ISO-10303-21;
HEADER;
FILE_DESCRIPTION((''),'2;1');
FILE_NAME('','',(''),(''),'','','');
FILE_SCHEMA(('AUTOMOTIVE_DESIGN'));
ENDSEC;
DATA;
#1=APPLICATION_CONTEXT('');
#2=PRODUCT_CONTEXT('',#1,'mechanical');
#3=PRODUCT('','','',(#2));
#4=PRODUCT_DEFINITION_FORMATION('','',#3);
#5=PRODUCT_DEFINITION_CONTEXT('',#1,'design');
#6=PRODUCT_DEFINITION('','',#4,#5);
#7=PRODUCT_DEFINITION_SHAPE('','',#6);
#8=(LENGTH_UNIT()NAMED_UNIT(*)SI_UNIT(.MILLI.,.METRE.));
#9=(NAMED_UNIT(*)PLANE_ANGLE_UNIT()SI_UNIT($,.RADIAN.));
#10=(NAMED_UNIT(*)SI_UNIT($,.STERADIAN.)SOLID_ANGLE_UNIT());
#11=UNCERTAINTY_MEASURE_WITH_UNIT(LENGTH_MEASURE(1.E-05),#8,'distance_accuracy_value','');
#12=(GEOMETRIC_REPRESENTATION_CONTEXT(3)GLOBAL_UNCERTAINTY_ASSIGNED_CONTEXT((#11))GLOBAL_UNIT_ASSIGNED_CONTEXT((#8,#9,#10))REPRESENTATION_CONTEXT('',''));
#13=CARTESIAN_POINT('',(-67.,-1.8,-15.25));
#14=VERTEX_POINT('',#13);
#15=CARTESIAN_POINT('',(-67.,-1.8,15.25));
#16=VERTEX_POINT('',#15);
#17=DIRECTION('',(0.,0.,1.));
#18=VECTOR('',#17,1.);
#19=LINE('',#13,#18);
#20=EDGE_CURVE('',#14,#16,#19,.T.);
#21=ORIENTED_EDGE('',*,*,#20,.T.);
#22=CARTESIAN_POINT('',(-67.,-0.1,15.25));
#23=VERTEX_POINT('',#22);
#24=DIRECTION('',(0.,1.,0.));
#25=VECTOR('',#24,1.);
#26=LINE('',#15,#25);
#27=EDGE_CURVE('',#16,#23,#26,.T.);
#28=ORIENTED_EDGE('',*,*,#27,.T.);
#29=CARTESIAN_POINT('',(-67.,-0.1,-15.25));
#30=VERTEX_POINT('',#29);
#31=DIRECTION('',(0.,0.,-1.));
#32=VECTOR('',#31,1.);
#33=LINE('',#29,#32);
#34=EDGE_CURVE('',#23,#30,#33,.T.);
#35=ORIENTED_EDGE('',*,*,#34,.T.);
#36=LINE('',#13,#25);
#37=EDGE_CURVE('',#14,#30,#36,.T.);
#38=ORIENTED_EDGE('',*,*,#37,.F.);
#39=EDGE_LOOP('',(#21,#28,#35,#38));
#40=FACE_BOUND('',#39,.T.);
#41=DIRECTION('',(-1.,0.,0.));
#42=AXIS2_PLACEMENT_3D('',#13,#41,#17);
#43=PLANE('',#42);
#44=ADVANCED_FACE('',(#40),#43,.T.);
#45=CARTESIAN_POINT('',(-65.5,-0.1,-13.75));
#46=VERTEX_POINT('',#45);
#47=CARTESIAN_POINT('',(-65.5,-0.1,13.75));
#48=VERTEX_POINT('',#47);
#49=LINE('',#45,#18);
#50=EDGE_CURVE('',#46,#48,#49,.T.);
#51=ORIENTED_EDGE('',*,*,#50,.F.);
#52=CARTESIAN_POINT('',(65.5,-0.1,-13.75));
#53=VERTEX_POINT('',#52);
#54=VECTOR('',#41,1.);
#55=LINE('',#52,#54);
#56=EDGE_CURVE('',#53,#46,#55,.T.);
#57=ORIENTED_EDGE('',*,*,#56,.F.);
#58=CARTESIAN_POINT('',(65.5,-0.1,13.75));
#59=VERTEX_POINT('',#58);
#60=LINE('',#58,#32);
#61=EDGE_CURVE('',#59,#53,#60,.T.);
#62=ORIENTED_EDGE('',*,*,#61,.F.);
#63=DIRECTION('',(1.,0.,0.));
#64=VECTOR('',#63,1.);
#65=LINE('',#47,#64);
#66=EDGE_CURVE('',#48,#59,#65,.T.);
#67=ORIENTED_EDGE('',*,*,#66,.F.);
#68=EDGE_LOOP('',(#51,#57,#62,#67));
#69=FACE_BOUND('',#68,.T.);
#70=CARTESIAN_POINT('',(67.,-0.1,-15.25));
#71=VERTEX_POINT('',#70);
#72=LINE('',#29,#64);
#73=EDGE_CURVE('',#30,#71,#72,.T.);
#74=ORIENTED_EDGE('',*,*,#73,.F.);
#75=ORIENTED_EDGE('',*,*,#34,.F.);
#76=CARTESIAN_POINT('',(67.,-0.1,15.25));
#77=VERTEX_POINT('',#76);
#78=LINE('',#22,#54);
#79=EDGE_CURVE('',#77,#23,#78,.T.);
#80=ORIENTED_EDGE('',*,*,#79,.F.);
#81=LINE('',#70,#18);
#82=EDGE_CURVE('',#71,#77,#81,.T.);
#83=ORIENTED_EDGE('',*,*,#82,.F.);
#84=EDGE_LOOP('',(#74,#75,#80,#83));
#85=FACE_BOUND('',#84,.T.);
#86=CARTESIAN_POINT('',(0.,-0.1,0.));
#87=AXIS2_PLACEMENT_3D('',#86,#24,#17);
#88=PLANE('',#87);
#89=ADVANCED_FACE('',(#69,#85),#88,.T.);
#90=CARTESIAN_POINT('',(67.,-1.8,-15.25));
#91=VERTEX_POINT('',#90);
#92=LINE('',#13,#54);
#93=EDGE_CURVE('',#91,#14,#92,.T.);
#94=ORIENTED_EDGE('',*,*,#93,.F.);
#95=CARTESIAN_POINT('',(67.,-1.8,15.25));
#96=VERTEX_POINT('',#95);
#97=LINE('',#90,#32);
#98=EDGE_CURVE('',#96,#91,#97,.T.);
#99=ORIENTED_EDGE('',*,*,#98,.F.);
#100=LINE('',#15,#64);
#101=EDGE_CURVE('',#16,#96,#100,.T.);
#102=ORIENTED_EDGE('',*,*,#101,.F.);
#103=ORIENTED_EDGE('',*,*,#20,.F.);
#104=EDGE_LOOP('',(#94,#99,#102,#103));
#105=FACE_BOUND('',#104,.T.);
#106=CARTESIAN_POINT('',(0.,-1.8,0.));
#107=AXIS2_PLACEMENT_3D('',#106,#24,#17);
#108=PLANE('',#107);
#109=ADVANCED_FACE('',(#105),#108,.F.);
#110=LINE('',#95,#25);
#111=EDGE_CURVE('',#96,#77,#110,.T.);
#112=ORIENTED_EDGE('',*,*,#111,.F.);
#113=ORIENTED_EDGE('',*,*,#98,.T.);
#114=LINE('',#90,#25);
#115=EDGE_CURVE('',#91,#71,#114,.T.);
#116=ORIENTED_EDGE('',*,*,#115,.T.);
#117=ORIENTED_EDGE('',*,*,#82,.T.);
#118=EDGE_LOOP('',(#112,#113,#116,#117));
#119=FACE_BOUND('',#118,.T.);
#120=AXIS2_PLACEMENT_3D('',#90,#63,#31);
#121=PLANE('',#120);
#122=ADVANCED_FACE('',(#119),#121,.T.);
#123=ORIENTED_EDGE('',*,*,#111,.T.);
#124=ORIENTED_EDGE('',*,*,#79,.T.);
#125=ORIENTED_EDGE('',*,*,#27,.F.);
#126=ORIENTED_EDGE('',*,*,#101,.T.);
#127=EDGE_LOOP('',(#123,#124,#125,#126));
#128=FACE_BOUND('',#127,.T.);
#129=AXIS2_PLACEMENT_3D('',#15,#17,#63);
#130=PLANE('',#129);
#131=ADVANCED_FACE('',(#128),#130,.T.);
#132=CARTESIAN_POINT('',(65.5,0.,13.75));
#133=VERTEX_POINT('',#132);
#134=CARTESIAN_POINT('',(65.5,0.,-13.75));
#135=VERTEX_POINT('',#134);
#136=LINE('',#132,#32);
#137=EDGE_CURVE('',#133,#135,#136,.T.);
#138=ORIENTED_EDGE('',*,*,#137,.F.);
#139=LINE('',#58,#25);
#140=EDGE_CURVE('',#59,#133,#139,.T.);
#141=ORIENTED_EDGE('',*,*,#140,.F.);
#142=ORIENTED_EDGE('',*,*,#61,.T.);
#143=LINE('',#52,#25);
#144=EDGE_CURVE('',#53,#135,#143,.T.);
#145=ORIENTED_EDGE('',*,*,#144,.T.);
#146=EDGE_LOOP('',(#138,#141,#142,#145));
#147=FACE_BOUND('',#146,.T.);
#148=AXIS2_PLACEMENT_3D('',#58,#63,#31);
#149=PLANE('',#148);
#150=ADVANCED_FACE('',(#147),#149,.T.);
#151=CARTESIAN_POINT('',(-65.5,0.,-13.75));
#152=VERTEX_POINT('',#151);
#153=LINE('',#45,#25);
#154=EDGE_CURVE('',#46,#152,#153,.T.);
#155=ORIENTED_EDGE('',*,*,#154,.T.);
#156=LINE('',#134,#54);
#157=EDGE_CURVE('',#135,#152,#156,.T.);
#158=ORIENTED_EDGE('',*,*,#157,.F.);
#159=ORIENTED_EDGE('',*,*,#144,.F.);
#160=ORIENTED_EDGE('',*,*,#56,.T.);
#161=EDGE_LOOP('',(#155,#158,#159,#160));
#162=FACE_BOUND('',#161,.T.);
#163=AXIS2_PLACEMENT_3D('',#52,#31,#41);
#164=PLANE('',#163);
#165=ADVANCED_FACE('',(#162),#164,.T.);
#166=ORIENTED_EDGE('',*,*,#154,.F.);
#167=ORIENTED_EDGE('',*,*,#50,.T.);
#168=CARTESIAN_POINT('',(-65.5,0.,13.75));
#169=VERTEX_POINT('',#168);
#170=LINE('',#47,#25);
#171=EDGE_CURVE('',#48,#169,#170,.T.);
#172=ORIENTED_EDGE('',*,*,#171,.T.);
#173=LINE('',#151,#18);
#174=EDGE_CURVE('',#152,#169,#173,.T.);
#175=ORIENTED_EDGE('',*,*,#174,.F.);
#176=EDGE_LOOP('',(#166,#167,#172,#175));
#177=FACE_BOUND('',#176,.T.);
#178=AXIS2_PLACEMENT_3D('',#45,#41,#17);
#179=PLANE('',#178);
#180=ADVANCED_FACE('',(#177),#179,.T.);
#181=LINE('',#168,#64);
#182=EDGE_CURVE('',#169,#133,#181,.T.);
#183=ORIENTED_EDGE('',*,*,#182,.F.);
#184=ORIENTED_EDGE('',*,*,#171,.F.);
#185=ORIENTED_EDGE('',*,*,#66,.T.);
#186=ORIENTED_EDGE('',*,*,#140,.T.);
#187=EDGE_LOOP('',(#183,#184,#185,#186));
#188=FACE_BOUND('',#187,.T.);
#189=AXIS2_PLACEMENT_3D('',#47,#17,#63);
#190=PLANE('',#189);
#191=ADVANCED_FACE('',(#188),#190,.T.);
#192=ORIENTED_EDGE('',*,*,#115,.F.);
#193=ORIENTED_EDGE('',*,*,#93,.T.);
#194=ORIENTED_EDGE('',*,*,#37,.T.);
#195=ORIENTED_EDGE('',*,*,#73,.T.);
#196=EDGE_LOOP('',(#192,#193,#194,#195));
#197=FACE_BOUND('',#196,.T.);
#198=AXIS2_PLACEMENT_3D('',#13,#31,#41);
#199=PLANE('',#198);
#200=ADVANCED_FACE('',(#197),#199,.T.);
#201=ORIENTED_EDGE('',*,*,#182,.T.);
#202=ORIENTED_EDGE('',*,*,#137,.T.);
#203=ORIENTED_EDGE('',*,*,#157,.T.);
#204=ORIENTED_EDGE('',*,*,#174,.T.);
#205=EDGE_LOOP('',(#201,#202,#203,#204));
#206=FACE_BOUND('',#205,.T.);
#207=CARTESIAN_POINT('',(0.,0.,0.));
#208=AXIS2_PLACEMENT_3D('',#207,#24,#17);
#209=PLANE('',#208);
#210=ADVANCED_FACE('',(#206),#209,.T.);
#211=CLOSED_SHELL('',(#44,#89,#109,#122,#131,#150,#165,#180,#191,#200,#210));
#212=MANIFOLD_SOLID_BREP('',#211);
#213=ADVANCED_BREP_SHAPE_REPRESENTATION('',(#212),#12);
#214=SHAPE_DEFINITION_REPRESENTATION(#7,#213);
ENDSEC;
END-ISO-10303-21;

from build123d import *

# Parameters (mm, degrees)
SKETCH_1_W           = 134
SKETCH_1_H           = 30.5
EXTRUDE_1_DEPTH      = 1.8
SKETCH_2_OUTSIDE_W   = 163.488
SKETCH_2_OUTSIDE_H   = 59.988
SKETCH_2_OUTSIDE_W_2 = 131
SKETCH_2_OUTSIDE_H_2 = 27.5
CUT_EXTRUDE_2_DEPTH  = 0.1


with BuildPart() as part:
    # Эскиз1 → Бобышка-Вытянуть1 (new body)
    with BuildSketch(Plane(origin=(0, 0, 0), x_dir=(1, 0, 0), z_dir=(0, 1, 0))):
        Rectangle(SKETCH_1_W, SKETCH_1_H)
    extrude(amount=-EXTRUDE_1_DEPTH)

    # Эскиз2 outside → Вырез-Вытянуть2 (cut)
    with BuildSketch(Plane(origin=(0, 0, 0), x_dir=(1, 0, 0), z_dir=(0, 1, 0))):
        Rectangle(SKETCH_2_OUTSIDE_W, SKETCH_2_OUTSIDE_H)
        Rectangle(SKETCH_2_OUTSIDE_W_2, SKETCH_2_OUTSIDE_H_2, mode=Mode.SUBTRACT)
    extrude(amount=-CUT_EXTRUDE_2_DEPTH, mode=Mode.SUBTRACT)


solid = part.part
